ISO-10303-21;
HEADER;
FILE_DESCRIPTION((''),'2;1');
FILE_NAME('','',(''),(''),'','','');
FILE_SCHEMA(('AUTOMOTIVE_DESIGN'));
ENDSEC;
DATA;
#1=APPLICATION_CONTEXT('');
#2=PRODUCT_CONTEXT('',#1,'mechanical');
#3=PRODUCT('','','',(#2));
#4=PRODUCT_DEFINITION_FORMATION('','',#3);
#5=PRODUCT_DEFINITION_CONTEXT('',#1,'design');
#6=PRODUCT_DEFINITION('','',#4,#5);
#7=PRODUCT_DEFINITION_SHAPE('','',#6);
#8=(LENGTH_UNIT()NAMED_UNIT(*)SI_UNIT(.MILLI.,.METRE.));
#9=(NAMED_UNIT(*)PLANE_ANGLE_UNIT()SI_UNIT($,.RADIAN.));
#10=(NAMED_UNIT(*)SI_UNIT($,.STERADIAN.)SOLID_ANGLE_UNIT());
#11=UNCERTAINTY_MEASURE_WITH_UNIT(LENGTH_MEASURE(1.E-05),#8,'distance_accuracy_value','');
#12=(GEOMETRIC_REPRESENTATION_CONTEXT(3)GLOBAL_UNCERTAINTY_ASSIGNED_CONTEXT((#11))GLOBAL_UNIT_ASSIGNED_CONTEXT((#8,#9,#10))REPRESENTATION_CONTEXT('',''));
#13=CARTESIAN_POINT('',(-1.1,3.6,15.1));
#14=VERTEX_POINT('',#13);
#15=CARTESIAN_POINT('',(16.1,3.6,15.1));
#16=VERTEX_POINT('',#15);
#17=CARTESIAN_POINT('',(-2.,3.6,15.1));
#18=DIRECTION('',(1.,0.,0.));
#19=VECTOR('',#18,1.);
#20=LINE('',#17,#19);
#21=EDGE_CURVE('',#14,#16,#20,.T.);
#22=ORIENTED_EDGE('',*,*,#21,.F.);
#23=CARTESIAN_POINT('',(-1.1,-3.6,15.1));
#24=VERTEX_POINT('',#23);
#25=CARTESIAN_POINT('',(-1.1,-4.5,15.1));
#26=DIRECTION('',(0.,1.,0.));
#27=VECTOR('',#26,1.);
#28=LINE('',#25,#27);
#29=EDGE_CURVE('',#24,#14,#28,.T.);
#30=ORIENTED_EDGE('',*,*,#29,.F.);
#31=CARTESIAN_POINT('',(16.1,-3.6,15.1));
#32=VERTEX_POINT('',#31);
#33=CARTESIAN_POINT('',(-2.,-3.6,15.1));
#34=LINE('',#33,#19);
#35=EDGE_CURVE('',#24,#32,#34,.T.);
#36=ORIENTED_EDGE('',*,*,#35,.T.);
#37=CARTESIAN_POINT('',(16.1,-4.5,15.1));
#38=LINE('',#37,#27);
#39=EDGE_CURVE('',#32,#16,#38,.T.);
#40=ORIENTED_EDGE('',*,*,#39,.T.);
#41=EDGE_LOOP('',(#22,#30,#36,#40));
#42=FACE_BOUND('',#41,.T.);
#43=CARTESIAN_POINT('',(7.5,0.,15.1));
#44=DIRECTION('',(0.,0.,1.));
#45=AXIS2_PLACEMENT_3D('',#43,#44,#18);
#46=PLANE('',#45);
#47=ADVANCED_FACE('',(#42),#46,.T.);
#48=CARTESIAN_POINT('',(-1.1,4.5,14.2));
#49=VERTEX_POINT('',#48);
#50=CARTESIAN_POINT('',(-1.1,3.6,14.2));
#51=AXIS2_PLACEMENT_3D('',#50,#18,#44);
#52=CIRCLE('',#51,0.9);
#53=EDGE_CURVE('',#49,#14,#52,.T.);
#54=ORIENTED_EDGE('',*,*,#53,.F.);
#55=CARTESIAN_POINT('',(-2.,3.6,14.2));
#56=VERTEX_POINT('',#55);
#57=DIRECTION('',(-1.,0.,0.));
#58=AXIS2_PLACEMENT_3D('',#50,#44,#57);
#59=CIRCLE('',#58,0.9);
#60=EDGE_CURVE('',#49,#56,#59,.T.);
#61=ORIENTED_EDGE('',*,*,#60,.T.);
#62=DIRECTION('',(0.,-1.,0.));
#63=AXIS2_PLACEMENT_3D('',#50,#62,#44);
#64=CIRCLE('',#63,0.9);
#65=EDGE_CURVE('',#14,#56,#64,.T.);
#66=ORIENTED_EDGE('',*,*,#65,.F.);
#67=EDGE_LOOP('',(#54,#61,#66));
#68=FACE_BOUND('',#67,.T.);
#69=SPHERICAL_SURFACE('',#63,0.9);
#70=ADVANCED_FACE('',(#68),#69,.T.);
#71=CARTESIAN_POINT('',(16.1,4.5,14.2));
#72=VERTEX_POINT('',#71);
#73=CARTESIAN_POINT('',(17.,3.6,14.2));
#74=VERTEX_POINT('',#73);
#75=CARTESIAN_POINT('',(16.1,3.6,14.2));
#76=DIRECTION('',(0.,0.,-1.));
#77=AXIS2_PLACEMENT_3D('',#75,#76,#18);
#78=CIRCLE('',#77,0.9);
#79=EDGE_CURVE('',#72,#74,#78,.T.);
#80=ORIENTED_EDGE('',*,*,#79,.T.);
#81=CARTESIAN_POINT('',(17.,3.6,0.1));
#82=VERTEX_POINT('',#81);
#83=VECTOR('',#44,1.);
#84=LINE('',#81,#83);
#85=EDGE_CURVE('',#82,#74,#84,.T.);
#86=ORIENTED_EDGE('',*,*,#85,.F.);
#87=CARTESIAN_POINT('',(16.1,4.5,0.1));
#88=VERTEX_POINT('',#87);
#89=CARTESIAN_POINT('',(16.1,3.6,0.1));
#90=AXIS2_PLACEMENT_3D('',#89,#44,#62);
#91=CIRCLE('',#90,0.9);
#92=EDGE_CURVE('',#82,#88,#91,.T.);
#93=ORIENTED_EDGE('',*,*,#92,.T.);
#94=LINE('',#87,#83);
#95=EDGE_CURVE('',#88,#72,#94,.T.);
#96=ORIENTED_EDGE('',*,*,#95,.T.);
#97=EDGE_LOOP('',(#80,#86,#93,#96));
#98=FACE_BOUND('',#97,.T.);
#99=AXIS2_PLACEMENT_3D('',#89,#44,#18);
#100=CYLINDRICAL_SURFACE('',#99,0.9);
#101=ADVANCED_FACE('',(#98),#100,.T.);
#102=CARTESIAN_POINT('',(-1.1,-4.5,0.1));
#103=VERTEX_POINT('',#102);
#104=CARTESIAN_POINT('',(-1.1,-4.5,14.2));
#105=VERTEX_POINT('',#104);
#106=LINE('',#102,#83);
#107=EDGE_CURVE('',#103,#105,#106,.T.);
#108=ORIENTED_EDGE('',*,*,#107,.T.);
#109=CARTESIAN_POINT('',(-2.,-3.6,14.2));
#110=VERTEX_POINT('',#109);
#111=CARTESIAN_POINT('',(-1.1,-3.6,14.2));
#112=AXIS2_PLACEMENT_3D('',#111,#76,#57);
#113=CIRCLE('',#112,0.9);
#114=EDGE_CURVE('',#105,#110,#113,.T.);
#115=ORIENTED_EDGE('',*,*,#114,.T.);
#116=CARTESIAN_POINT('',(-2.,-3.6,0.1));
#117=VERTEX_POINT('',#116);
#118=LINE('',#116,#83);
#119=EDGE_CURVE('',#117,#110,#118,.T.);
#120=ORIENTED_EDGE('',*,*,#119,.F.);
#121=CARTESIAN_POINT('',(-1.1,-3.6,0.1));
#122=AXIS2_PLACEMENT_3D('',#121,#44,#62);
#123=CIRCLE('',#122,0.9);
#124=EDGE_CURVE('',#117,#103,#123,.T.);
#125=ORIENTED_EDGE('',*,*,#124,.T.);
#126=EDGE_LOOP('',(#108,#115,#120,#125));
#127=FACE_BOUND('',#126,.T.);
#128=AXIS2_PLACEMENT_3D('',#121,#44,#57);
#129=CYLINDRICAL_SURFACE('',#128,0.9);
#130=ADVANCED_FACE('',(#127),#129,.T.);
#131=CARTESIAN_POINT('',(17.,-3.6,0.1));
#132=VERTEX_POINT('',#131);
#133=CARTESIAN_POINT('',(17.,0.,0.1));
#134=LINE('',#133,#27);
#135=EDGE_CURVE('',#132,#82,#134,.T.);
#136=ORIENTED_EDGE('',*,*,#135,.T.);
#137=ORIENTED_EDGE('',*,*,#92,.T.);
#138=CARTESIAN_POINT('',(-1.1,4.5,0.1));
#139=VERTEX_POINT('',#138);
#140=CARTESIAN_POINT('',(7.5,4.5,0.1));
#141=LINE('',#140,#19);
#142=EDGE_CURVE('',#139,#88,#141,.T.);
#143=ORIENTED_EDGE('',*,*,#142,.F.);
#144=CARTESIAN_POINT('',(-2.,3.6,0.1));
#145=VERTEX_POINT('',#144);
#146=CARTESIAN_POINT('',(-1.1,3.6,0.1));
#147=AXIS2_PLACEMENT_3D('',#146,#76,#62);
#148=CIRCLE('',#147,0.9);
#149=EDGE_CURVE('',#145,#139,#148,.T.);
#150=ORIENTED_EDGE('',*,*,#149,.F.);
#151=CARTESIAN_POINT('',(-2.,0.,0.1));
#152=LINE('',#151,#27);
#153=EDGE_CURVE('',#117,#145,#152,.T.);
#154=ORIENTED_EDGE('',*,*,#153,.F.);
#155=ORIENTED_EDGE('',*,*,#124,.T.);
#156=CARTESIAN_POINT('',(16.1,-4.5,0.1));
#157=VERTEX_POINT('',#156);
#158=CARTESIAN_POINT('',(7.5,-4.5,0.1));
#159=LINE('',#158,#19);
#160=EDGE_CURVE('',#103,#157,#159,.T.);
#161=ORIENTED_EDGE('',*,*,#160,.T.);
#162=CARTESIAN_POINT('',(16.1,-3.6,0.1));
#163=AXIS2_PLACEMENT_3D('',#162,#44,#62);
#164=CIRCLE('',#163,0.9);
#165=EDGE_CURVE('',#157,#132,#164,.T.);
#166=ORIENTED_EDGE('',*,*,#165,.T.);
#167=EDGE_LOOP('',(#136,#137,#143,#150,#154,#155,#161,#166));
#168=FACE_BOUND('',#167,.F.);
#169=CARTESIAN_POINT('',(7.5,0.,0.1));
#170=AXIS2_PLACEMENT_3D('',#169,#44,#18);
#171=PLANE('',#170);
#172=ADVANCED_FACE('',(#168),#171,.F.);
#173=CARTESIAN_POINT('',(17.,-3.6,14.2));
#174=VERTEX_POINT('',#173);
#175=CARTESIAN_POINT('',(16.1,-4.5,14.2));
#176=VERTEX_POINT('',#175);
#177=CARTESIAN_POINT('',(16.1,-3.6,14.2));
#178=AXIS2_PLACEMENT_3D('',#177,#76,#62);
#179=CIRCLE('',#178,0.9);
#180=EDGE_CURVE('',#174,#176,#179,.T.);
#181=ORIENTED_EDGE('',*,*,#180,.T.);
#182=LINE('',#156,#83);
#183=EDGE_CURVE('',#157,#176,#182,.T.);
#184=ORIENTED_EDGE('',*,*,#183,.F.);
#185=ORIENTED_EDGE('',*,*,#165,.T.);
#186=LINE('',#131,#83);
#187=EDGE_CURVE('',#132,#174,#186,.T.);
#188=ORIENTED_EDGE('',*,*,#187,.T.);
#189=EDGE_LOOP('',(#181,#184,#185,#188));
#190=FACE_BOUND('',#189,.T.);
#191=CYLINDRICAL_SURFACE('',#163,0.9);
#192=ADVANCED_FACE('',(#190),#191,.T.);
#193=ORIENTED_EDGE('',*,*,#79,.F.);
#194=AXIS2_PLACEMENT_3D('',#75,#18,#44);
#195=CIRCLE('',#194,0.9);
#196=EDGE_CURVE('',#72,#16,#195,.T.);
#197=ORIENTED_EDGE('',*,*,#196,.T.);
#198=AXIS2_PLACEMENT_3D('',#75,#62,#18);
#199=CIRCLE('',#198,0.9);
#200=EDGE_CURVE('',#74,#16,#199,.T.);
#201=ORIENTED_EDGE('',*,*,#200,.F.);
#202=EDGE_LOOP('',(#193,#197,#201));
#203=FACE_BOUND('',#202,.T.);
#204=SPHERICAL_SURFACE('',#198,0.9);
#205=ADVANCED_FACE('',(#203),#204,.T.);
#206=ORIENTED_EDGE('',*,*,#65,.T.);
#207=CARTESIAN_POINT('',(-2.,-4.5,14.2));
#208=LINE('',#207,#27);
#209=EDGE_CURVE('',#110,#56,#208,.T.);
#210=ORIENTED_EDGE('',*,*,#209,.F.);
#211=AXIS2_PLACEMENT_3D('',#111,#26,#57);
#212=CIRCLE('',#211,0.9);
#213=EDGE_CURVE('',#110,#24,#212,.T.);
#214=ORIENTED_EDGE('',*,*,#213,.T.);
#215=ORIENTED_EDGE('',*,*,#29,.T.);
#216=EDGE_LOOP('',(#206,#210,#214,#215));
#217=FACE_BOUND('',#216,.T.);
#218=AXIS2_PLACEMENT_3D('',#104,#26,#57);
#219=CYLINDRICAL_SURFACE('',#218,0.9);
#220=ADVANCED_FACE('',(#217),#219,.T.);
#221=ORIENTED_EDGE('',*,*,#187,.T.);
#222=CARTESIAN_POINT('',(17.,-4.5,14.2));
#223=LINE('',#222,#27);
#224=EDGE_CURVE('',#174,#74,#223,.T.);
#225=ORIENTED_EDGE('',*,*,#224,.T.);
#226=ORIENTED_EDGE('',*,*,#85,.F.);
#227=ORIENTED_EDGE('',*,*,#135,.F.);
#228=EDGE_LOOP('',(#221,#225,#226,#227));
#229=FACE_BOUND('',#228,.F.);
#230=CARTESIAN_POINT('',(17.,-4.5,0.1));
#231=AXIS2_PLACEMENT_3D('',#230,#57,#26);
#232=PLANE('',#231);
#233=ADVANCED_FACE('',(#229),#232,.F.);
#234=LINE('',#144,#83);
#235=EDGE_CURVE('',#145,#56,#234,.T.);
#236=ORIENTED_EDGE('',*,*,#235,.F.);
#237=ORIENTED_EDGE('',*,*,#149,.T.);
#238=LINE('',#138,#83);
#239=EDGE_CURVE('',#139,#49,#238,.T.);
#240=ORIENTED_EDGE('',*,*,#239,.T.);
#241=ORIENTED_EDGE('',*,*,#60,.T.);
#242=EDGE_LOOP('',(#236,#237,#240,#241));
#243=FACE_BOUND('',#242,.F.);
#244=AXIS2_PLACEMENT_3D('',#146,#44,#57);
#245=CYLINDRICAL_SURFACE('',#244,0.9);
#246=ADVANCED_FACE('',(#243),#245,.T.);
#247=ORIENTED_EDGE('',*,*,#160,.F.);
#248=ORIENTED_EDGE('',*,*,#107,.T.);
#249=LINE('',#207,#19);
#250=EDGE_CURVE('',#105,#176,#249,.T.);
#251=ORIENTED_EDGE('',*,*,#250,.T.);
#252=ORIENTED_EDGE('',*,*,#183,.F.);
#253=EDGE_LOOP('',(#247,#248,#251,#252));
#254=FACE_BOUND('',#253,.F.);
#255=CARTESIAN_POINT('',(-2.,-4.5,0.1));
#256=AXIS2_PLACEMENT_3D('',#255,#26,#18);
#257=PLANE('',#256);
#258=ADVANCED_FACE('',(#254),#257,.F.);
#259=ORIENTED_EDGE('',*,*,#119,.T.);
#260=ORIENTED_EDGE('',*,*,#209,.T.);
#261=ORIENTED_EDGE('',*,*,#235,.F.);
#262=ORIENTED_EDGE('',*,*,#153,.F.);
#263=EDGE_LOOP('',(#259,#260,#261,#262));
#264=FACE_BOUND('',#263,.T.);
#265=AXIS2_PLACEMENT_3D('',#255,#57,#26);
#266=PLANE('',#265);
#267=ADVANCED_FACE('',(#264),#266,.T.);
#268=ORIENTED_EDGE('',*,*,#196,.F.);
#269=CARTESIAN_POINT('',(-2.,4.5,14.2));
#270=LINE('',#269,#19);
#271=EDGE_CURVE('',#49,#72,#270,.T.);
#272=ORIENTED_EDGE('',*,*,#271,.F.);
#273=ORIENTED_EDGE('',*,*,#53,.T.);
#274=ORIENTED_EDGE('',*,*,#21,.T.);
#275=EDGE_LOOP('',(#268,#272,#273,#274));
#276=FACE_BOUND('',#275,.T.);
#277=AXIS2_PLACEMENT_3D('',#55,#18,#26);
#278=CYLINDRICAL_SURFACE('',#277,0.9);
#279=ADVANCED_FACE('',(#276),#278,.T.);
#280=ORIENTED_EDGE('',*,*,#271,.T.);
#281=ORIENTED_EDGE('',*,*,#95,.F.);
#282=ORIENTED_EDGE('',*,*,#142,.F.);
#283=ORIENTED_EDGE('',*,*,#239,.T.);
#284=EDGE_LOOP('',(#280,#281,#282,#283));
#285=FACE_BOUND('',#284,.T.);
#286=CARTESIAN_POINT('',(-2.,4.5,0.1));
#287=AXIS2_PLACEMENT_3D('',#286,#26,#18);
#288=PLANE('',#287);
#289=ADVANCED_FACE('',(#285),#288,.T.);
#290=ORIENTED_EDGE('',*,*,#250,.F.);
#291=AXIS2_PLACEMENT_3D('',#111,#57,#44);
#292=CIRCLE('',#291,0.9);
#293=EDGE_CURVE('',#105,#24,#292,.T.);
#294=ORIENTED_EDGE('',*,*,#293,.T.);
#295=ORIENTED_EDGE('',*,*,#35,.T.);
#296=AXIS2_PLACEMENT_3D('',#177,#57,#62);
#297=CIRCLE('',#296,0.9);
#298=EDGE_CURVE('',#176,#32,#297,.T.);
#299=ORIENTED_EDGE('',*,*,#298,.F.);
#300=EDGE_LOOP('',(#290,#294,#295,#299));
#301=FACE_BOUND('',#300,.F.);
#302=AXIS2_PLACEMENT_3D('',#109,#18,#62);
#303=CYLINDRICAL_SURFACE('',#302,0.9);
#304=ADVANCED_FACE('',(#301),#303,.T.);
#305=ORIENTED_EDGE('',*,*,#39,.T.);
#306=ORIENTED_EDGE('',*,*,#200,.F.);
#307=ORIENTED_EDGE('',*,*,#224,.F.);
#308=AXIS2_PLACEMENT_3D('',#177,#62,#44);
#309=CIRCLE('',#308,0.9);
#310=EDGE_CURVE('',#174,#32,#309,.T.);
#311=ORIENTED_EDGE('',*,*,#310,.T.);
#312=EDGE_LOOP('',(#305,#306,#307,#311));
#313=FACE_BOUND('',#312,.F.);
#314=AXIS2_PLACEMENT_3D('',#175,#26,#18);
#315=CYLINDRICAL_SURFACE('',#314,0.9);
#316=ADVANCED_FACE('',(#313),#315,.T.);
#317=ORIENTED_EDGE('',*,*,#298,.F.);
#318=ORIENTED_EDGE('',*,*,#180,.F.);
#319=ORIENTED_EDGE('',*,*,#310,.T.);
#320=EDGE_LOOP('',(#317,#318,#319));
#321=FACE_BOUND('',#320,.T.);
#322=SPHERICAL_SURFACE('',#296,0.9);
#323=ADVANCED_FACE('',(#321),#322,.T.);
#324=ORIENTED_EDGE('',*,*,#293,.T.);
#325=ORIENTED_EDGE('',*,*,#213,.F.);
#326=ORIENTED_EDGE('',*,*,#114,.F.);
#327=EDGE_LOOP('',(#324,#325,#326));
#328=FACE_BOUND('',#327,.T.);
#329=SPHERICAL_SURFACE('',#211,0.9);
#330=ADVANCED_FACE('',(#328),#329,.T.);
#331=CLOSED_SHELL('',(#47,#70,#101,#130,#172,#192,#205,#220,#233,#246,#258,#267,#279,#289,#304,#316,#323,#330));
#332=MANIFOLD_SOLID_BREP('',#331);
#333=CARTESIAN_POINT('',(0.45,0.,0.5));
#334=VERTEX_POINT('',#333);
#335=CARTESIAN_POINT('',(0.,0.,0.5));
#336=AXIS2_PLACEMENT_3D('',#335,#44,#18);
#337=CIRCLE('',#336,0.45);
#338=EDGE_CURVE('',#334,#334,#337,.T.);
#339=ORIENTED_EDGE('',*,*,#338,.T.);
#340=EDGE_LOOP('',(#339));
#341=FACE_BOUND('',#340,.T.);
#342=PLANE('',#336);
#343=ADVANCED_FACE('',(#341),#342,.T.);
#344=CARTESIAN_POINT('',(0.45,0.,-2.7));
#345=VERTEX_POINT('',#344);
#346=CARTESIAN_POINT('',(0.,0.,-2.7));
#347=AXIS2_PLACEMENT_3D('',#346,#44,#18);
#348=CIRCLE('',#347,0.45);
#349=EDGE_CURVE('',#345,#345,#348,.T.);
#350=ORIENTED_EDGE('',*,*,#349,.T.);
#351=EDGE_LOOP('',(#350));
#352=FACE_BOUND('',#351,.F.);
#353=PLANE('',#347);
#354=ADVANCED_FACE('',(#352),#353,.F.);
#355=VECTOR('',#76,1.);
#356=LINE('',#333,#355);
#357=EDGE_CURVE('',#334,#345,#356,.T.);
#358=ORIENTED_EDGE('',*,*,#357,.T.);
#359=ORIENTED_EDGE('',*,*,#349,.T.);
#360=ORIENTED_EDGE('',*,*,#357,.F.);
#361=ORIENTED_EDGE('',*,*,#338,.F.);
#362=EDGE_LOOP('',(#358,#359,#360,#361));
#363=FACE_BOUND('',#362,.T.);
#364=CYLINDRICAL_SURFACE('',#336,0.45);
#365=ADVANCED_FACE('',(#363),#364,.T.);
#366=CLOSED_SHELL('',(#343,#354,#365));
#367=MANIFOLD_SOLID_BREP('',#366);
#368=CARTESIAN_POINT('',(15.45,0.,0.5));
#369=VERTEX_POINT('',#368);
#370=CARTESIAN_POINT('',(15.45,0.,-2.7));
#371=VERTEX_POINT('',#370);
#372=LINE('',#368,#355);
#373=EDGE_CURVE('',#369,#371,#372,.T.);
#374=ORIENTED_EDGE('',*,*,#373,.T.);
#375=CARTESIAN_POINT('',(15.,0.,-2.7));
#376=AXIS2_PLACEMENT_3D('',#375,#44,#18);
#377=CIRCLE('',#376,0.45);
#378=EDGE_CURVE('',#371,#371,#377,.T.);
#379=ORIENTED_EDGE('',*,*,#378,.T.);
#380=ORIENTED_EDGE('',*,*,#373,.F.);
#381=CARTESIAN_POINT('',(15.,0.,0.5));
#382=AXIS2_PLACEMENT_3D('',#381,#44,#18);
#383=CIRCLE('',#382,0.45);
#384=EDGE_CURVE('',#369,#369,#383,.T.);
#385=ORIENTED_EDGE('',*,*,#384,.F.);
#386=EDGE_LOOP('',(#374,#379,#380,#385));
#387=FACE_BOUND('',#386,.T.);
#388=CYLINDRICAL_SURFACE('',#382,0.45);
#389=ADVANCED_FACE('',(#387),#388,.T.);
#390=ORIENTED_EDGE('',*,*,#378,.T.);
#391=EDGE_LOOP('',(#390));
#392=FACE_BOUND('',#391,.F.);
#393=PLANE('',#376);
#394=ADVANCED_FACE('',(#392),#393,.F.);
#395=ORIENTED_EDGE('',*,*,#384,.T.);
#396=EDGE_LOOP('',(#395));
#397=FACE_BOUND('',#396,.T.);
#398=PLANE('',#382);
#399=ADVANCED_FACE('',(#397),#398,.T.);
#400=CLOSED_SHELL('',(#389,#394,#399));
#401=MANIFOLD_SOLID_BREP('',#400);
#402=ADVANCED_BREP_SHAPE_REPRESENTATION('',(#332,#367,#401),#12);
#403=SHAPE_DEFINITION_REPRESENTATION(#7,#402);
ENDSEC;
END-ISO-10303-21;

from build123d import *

# Parameters (mm, degrees)
SKETCH_W     = 19
SKETCH_H     = 9
PAD_DEPTH    = 15
FILLET_R     = 0.9
SKETCH001_R  = 0.45
PAD001_DEPTH = 3.2


with BuildPart() as fillet_body:
    # Sketch → Pad (new body)
    with BuildSketch(Plane.XY.offset(0.1)):
        with Locations((7.5, 0)):
            Rectangle(SKETCH_W, SKETCH_H)
    extrude(amount=PAD_DEPTH)

    # Fillet
    fillet_edges = [fillet_body.edges().sort_by_distance(p)[0] for p in [
        (-2, 0, 15.1),
        (-2, -4.5, 7.6),
        (7.5, -4.5, 15.1),
        (17, -4.5, 7.6),
        (17, 0, 15.1),
        (17, 4.5, 7.6),
        (7.5, 4.5, 15.1),
        (-2, 4.5, 7.6),
    ]]
    fillet(fillet_edges, radius=FILLET_R)


with BuildPart() as pad001:
    # Sketch001 → Pad001 (new body)
    with BuildSketch(Plane.XY.offset(0.5)):
        Circle(SKETCH001_R)
        with Locations((15, 0)):
            Circle(SKETCH001_R)
    extrude(amount=-PAD001_DEPTH)


solid = Compound([fillet_body.part, pad001.part])
